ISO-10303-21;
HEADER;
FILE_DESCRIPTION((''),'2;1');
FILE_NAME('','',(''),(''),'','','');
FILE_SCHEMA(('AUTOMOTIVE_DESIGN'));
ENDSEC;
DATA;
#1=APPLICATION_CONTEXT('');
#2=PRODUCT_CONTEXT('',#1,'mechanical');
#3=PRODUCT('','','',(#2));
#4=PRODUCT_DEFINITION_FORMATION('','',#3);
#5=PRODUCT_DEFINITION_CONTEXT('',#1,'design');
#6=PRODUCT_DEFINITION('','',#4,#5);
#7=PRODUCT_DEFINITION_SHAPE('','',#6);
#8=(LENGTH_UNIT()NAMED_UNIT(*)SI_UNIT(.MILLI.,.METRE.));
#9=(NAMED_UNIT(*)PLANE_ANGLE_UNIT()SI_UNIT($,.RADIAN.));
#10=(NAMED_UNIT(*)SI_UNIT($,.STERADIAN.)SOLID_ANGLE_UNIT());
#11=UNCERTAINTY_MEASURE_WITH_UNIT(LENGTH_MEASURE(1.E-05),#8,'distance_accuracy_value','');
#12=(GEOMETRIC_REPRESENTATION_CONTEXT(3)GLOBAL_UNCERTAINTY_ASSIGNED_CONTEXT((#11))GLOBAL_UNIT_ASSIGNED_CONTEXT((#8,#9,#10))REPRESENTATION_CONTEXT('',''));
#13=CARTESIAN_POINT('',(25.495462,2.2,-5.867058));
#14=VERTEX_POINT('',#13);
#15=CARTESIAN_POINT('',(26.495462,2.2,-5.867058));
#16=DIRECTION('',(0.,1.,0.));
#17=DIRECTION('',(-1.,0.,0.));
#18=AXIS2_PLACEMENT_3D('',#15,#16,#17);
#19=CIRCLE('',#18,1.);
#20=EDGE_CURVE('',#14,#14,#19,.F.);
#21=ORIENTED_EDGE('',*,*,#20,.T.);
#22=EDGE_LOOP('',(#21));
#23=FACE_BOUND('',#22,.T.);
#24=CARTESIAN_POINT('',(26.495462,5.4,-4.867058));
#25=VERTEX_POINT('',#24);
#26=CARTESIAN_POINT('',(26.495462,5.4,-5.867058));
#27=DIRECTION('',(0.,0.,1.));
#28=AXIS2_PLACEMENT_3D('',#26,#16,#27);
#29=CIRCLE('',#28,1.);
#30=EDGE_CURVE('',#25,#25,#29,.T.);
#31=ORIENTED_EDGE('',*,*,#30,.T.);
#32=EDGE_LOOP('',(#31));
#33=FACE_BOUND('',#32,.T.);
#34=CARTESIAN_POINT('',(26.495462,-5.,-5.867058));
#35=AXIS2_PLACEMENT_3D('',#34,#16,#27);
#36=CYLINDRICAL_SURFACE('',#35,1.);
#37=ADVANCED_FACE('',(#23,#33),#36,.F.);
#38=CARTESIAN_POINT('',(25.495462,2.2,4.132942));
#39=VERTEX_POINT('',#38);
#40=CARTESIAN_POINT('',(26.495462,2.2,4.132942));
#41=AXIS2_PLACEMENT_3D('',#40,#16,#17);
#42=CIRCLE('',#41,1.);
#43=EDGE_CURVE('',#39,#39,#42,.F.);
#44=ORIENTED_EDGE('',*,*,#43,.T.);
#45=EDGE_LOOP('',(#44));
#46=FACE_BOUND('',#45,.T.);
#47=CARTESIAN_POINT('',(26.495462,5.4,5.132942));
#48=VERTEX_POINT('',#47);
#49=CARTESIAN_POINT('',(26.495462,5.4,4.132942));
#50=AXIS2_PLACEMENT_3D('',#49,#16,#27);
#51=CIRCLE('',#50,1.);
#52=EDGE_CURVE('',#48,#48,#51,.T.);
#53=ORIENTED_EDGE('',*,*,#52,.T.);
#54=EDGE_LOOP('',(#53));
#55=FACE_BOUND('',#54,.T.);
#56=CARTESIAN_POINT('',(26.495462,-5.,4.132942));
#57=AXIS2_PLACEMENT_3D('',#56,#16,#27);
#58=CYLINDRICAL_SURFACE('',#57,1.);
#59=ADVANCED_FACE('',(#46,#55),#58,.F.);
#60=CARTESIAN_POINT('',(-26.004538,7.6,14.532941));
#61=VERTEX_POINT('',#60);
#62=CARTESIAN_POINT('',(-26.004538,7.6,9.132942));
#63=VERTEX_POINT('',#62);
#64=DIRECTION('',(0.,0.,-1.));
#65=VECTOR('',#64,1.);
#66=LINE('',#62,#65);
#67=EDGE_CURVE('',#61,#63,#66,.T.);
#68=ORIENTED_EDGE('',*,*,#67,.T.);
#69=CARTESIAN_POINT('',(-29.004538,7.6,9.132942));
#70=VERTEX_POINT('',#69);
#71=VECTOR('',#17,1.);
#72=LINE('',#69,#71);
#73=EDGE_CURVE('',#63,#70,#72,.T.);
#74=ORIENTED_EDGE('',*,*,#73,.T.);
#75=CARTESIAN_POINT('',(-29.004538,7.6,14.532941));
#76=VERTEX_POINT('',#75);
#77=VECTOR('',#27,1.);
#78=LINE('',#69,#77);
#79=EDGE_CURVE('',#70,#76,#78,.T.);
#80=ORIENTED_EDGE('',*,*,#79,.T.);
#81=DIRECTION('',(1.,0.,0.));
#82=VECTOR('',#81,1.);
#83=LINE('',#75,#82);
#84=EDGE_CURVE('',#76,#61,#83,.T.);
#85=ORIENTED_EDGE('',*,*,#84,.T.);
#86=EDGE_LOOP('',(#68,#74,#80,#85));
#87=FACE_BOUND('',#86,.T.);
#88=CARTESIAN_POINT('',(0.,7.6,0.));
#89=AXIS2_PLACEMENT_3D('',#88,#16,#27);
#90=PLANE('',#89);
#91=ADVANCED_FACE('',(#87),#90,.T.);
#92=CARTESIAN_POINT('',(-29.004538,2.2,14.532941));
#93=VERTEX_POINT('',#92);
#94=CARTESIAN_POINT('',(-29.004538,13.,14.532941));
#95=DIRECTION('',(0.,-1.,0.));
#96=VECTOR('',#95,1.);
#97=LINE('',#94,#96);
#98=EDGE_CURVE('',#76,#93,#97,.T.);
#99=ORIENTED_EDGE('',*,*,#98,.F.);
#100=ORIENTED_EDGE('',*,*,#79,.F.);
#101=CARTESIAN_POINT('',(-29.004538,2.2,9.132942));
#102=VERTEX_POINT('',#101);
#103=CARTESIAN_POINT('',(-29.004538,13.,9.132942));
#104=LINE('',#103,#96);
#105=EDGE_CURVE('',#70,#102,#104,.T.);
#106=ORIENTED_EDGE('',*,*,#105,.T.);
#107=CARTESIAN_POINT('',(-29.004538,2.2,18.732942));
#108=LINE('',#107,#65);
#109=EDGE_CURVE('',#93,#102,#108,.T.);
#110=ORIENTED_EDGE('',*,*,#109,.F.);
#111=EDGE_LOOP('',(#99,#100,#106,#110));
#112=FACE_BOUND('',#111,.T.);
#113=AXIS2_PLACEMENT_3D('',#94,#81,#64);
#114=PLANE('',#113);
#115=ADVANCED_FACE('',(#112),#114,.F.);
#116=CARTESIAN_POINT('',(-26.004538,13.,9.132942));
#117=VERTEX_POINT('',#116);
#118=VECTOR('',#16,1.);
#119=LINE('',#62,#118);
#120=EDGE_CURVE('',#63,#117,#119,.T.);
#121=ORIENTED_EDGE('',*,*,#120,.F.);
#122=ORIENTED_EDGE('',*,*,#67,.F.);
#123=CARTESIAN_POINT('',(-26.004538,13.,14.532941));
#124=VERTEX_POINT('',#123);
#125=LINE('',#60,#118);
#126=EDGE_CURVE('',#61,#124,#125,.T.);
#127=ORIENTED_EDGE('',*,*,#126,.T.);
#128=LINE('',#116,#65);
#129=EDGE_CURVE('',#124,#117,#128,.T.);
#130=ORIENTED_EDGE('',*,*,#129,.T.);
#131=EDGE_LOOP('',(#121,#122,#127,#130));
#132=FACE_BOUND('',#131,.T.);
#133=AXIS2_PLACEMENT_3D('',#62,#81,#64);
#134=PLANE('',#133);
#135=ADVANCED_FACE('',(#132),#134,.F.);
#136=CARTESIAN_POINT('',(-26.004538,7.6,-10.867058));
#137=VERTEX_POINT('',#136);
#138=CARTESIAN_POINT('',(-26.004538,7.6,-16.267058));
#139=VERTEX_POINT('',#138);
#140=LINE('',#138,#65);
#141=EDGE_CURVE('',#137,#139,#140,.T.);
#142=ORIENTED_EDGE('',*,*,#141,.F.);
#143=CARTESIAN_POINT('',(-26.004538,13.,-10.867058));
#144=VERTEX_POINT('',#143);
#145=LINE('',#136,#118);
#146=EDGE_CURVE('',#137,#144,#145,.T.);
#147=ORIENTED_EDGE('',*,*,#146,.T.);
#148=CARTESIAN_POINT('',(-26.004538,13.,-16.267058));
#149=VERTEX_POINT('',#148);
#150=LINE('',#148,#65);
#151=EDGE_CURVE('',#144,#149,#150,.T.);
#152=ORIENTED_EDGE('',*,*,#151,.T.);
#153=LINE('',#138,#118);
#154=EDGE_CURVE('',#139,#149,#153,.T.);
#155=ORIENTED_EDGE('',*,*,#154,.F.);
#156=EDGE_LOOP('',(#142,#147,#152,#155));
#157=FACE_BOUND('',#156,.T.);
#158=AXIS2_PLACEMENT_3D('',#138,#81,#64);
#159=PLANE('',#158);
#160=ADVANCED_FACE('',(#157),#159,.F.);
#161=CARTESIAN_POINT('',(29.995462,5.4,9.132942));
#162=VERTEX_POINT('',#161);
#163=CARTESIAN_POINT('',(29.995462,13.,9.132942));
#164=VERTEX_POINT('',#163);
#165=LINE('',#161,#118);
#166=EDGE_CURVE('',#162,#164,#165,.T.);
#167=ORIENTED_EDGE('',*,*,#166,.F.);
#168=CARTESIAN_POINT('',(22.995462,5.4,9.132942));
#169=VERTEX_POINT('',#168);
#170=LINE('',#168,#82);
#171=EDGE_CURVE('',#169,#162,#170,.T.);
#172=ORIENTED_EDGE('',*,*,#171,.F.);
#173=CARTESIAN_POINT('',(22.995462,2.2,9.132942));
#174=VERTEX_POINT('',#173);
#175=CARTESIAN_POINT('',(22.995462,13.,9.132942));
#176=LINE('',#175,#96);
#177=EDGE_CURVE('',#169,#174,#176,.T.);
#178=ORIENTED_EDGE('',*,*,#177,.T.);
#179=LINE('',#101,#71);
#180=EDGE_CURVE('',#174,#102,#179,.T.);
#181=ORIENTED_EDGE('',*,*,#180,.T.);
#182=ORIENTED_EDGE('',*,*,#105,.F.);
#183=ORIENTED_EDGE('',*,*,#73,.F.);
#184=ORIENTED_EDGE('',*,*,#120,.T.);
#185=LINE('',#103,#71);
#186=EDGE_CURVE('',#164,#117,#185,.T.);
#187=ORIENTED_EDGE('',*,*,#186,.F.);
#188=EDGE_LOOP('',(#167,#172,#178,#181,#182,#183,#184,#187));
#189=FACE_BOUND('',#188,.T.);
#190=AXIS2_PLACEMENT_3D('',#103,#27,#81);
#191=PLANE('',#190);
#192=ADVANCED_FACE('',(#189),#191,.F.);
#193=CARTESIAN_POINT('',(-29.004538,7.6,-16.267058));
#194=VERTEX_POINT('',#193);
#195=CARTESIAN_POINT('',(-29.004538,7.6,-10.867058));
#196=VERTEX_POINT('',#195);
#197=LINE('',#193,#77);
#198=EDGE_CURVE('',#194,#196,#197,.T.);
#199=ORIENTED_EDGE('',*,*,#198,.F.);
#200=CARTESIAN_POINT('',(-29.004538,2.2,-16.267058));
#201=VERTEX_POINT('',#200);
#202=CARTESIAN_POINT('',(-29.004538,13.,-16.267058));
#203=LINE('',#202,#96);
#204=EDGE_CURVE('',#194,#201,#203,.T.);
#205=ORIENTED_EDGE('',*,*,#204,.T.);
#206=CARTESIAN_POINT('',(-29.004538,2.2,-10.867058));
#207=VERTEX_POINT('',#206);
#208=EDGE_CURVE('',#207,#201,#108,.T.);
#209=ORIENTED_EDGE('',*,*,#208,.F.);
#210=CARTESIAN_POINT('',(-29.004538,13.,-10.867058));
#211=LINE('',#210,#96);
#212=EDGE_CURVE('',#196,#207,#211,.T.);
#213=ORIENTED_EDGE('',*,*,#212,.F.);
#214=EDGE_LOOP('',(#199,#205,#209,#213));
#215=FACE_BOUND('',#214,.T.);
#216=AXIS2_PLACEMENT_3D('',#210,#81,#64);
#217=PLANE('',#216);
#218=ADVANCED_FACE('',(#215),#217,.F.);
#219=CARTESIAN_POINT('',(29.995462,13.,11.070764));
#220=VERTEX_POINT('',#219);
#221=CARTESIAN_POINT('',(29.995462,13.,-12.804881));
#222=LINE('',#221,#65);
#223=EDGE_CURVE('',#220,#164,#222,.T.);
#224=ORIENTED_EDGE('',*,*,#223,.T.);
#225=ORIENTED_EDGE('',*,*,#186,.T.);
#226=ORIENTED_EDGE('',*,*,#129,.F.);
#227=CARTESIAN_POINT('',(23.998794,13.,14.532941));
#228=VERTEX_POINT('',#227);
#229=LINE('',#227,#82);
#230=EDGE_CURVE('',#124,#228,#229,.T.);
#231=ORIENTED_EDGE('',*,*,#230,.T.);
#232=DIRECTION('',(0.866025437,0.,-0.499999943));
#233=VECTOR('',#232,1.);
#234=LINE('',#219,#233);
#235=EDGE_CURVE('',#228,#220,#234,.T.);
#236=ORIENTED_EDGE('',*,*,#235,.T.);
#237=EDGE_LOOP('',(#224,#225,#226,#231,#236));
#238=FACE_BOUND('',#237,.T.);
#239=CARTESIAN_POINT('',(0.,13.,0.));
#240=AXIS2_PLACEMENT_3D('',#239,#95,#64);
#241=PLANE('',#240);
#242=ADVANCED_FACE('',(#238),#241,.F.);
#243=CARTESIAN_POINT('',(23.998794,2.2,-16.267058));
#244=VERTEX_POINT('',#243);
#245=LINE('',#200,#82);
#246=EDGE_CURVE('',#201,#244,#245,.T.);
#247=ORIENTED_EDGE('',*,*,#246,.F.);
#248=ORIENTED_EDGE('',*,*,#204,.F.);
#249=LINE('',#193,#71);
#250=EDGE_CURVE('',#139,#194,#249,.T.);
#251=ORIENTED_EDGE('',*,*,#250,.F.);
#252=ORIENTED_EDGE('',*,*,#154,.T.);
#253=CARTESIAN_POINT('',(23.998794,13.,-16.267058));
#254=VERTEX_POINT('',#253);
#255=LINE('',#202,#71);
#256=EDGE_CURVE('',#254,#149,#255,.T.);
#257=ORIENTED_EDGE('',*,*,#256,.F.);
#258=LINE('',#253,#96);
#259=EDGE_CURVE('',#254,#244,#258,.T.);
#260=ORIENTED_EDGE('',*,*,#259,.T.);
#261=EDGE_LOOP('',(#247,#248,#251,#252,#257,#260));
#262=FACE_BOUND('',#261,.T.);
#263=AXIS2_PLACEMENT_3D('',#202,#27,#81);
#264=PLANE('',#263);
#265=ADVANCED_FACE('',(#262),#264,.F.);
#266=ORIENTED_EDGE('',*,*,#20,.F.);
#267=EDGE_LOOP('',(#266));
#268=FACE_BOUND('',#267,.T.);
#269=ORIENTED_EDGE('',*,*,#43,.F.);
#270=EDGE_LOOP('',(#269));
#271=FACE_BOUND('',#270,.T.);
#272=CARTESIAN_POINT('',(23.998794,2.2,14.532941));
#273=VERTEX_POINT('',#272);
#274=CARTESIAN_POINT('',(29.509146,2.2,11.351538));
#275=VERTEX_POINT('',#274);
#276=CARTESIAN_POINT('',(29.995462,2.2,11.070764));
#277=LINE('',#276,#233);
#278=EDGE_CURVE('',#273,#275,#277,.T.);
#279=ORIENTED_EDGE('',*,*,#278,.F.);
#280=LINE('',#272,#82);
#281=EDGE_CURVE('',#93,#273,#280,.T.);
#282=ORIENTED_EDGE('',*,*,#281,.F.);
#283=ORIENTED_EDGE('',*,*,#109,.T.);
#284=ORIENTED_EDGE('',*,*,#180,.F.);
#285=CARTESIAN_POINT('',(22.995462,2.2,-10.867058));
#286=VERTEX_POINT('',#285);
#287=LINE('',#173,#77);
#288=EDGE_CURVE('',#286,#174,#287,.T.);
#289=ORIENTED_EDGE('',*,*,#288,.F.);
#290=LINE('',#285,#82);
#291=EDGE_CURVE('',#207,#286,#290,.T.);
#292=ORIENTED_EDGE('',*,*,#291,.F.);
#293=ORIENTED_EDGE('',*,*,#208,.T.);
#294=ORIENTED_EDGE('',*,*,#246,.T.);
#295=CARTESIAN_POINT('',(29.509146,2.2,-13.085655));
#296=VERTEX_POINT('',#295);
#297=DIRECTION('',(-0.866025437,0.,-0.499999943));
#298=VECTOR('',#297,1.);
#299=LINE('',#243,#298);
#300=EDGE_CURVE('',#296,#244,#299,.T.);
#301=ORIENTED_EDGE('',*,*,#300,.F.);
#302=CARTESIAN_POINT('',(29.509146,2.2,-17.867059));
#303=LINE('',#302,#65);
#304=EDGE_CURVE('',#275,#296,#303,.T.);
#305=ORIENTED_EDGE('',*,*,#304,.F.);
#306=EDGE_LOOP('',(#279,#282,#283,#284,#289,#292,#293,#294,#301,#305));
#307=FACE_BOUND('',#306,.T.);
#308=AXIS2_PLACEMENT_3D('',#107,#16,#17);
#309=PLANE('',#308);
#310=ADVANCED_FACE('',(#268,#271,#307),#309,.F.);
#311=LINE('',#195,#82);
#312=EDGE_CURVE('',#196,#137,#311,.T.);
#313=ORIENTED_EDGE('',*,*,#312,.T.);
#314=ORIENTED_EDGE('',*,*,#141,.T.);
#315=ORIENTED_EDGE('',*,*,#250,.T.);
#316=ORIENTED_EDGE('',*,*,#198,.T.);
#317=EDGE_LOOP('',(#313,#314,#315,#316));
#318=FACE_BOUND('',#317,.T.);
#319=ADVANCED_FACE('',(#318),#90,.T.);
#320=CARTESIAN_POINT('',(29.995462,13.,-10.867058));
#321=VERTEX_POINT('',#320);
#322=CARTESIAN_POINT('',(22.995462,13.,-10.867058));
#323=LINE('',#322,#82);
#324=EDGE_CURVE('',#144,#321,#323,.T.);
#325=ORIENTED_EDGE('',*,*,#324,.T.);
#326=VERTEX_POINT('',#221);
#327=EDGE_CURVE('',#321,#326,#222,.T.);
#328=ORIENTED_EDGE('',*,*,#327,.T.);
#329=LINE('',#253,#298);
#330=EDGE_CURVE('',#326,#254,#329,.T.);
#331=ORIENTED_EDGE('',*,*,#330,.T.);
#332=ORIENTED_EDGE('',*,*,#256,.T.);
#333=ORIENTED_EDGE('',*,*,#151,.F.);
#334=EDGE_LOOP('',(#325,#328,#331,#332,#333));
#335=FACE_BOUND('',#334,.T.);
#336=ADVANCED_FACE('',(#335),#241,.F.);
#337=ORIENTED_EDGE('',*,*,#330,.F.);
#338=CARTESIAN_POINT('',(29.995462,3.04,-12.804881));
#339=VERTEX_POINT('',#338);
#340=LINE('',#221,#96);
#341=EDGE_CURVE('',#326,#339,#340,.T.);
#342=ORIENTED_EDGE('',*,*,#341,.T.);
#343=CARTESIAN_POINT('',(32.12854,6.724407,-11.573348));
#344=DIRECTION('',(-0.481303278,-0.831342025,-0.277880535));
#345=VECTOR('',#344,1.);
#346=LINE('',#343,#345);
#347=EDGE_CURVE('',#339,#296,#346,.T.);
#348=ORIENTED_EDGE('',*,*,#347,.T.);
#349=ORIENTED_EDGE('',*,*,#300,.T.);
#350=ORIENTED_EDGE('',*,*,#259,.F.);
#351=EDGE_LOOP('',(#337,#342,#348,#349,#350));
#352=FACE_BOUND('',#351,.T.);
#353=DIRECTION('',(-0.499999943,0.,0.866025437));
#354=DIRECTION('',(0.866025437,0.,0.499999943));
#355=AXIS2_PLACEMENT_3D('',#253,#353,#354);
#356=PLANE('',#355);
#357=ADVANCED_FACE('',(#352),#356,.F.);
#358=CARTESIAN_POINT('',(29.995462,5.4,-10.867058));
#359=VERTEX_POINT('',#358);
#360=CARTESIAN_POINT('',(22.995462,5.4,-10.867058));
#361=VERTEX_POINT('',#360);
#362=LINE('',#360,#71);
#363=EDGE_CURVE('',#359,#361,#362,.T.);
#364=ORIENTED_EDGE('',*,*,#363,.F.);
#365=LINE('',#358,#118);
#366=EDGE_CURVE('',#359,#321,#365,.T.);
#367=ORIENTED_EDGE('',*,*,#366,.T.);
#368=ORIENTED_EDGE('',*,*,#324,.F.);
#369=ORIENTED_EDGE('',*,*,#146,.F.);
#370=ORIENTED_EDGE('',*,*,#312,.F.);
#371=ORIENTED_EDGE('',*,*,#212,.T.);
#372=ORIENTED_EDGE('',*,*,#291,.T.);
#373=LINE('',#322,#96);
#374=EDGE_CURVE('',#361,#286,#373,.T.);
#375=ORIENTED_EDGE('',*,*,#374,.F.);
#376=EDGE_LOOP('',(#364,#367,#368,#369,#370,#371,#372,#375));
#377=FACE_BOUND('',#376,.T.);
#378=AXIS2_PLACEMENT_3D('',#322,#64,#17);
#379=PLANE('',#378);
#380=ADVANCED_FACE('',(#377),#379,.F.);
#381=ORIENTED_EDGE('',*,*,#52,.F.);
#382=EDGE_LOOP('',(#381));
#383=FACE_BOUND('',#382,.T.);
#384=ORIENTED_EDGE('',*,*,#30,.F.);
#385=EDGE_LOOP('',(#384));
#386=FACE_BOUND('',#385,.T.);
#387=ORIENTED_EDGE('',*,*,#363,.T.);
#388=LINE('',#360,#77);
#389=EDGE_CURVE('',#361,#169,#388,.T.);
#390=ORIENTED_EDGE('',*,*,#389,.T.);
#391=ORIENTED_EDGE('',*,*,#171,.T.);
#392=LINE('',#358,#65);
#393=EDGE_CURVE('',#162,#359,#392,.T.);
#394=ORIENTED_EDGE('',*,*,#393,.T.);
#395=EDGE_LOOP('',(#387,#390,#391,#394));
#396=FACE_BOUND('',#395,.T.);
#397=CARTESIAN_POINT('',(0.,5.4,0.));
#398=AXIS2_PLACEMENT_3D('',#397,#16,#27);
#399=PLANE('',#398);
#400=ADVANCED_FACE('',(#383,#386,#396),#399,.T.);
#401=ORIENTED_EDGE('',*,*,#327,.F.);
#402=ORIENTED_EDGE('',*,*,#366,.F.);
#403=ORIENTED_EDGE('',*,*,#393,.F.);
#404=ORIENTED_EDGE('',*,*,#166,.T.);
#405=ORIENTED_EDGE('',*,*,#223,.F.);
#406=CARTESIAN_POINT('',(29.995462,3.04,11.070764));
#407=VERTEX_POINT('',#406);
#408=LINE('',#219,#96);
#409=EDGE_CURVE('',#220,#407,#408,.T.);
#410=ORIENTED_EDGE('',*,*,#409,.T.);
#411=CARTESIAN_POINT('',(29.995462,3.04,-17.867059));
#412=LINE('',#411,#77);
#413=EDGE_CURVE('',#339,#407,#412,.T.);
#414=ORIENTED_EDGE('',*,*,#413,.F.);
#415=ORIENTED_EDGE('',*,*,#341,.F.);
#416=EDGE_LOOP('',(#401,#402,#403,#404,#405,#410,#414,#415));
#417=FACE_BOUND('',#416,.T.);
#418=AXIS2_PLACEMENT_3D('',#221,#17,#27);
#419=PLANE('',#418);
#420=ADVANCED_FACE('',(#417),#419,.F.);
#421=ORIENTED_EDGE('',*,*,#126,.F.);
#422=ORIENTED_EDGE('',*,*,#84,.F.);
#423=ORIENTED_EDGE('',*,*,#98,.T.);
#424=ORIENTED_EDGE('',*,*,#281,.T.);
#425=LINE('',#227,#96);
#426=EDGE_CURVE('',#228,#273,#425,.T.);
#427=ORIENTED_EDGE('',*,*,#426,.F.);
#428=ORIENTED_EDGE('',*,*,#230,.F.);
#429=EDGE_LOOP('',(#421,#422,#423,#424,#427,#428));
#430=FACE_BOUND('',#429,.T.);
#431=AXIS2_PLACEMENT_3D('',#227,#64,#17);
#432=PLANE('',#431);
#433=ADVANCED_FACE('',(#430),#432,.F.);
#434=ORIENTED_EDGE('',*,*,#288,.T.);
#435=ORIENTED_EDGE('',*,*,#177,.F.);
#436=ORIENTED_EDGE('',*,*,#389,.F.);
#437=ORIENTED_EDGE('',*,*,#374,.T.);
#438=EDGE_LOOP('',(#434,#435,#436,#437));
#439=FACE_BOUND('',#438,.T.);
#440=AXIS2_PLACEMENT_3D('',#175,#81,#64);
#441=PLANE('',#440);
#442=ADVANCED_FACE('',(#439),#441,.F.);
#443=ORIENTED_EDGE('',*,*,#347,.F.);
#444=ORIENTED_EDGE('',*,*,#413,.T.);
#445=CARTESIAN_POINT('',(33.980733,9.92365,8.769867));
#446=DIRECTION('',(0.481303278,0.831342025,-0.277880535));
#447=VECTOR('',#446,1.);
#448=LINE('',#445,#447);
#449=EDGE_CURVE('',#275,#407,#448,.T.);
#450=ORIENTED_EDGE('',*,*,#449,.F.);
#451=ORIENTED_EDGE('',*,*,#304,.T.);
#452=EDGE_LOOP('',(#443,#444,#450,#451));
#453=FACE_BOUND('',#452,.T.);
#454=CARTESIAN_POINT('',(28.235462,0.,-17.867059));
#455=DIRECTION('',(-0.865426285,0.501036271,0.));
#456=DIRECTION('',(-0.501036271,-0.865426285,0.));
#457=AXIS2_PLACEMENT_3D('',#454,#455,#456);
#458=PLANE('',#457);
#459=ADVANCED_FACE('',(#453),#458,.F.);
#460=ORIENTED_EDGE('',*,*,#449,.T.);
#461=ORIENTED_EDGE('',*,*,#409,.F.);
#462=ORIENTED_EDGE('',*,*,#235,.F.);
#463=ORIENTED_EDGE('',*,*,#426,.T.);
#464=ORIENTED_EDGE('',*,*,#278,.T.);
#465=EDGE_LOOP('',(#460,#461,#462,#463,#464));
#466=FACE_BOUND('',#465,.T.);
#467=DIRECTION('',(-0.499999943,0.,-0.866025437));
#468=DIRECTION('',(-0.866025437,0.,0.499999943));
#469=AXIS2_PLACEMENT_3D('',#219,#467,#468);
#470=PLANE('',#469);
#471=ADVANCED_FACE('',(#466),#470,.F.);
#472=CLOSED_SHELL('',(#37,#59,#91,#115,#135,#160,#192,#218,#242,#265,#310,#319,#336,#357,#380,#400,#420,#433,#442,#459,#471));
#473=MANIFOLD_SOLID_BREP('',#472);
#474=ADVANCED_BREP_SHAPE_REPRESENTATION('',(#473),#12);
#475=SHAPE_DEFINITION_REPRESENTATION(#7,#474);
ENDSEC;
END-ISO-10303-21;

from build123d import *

# Parameters (mm, degrees)
SALIENTE_EXTRUIR1_DEPTH = 13
CROQUIS2_W              = 7
CROQUIS2_H              = 20
CORTAR_EXTRUIR1_DEPTH   = 7.6
CROQUIS3_W              = 3
CROQUIS3_H              = 5.399999618
CROQUIS3_H_2            = 5.399999619
CORTAR_EXTRUIR2_DEPTH   = 5.4
CROQUIS4_R              = 1
CORTAR_EXTRUIR3_DEPTH   = 10.4
CORTAR_EXTRUIR4_DEPTH   = 32.4
CROQUIS6_W              = 66.642206308
CROQUIS6_H              = 2.2
CORTAR_EXTRUIR5_DEPTH   = 35


with BuildPart() as part:
    # Croquis1 → Saliente-Extruir1 (new body)
    with BuildSketch(Plane(origin=(0, 0, 0), x_dir=(1, 0, 0), z_dir=(0, 1, 0))):
        Polygon((-29.00453802, -14.532941153), (-29.00453802, -9.132941534), (22.99546198, -9.132941534), (22.99546198, 10.867058466), (-29.00453802, 10.867058466), (-29.00453802, 16.267058084), (23.998794118, 16.267058084), (29.99546198, 12.804880808), (29.99546198, -11.070763876), (23.998794118, -14.532941153), align=None)
    extrude(amount=SALIENTE_EXTRUIR1_DEPTH)

    # Croquis2 → Cortar-Extruir1 (cut)
    with BuildSketch(Plane(origin=(0, 13, 0), x_dir=(1, 0, 0), z_dir=(0, 1, 0))):
        with Locations((26.49546198, 0.867058466)):
            Rectangle(CROQUIS2_W, CROQUIS2_H)
    extrude(amount=-CORTAR_EXTRUIR1_DEPTH, mode=Mode.SUBTRACT)

    # Croquis3 → Cortar-Extruir2 (cut)
    with BuildSketch(Plane(origin=(0, 13, 0), x_dir=(1, 0, 0), z_dir=(0, 1, 0))):
        with Locations((-27.50453802, 13.567058275)):
            Rectangle(CROQUIS3_W, CROQUIS3_H)
        with Locations((-27.50453802, -11.832941343)):
            Rectangle(CROQUIS3_W, CROQUIS3_H_2)
    extrude(amount=-CORTAR_EXTRUIR2_DEPTH, mode=Mode.SUBTRACT)

    # Croquis4 → Cortar-Extruir3 (cut)
    with BuildSketch(Plane(origin=(0, 5.4, 0), x_dir=(1, 0, 0), z_dir=(0, 1, 0))):
        with Locations((26.49546198, 5.867058466)):
            Circle(CROQUIS4_R)
        with Locations((26.49546198, -4.132941534)):
            Circle(CROQUIS4_R)
    extrude(amount=-CORTAR_EXTRUIR3_DEPTH, mode=Mode.SUBTRACT)

    # Croquis5 → Cortar-Extruir4 (cut)
    with BuildSketch(Plane.XY.offset(14.532941153)):
        Polygon((28.23546198, 0), (29.99546198, 3.04), (29.99546198, 0), align=None)
    extrude(amount=-CORTAR_EXTRUIR4_DEPTH, mode=Mode.SUBTRACT)

    # Croquis6 → Cortar-Extruir5 (cut)
    with BuildSketch(Plane(origin=(0, 0, -16.267058084), x_dir=(-1, 0, 0), z_dir=(0, 0, -1))):
        with Locations((-4.316565134, 1.1)):
            Rectangle(CROQUIS6_W, CROQUIS6_H)
    extrude(amount=-CORTAR_EXTRUIR5_DEPTH, mode=Mode.SUBTRACT)


solid = part.part
